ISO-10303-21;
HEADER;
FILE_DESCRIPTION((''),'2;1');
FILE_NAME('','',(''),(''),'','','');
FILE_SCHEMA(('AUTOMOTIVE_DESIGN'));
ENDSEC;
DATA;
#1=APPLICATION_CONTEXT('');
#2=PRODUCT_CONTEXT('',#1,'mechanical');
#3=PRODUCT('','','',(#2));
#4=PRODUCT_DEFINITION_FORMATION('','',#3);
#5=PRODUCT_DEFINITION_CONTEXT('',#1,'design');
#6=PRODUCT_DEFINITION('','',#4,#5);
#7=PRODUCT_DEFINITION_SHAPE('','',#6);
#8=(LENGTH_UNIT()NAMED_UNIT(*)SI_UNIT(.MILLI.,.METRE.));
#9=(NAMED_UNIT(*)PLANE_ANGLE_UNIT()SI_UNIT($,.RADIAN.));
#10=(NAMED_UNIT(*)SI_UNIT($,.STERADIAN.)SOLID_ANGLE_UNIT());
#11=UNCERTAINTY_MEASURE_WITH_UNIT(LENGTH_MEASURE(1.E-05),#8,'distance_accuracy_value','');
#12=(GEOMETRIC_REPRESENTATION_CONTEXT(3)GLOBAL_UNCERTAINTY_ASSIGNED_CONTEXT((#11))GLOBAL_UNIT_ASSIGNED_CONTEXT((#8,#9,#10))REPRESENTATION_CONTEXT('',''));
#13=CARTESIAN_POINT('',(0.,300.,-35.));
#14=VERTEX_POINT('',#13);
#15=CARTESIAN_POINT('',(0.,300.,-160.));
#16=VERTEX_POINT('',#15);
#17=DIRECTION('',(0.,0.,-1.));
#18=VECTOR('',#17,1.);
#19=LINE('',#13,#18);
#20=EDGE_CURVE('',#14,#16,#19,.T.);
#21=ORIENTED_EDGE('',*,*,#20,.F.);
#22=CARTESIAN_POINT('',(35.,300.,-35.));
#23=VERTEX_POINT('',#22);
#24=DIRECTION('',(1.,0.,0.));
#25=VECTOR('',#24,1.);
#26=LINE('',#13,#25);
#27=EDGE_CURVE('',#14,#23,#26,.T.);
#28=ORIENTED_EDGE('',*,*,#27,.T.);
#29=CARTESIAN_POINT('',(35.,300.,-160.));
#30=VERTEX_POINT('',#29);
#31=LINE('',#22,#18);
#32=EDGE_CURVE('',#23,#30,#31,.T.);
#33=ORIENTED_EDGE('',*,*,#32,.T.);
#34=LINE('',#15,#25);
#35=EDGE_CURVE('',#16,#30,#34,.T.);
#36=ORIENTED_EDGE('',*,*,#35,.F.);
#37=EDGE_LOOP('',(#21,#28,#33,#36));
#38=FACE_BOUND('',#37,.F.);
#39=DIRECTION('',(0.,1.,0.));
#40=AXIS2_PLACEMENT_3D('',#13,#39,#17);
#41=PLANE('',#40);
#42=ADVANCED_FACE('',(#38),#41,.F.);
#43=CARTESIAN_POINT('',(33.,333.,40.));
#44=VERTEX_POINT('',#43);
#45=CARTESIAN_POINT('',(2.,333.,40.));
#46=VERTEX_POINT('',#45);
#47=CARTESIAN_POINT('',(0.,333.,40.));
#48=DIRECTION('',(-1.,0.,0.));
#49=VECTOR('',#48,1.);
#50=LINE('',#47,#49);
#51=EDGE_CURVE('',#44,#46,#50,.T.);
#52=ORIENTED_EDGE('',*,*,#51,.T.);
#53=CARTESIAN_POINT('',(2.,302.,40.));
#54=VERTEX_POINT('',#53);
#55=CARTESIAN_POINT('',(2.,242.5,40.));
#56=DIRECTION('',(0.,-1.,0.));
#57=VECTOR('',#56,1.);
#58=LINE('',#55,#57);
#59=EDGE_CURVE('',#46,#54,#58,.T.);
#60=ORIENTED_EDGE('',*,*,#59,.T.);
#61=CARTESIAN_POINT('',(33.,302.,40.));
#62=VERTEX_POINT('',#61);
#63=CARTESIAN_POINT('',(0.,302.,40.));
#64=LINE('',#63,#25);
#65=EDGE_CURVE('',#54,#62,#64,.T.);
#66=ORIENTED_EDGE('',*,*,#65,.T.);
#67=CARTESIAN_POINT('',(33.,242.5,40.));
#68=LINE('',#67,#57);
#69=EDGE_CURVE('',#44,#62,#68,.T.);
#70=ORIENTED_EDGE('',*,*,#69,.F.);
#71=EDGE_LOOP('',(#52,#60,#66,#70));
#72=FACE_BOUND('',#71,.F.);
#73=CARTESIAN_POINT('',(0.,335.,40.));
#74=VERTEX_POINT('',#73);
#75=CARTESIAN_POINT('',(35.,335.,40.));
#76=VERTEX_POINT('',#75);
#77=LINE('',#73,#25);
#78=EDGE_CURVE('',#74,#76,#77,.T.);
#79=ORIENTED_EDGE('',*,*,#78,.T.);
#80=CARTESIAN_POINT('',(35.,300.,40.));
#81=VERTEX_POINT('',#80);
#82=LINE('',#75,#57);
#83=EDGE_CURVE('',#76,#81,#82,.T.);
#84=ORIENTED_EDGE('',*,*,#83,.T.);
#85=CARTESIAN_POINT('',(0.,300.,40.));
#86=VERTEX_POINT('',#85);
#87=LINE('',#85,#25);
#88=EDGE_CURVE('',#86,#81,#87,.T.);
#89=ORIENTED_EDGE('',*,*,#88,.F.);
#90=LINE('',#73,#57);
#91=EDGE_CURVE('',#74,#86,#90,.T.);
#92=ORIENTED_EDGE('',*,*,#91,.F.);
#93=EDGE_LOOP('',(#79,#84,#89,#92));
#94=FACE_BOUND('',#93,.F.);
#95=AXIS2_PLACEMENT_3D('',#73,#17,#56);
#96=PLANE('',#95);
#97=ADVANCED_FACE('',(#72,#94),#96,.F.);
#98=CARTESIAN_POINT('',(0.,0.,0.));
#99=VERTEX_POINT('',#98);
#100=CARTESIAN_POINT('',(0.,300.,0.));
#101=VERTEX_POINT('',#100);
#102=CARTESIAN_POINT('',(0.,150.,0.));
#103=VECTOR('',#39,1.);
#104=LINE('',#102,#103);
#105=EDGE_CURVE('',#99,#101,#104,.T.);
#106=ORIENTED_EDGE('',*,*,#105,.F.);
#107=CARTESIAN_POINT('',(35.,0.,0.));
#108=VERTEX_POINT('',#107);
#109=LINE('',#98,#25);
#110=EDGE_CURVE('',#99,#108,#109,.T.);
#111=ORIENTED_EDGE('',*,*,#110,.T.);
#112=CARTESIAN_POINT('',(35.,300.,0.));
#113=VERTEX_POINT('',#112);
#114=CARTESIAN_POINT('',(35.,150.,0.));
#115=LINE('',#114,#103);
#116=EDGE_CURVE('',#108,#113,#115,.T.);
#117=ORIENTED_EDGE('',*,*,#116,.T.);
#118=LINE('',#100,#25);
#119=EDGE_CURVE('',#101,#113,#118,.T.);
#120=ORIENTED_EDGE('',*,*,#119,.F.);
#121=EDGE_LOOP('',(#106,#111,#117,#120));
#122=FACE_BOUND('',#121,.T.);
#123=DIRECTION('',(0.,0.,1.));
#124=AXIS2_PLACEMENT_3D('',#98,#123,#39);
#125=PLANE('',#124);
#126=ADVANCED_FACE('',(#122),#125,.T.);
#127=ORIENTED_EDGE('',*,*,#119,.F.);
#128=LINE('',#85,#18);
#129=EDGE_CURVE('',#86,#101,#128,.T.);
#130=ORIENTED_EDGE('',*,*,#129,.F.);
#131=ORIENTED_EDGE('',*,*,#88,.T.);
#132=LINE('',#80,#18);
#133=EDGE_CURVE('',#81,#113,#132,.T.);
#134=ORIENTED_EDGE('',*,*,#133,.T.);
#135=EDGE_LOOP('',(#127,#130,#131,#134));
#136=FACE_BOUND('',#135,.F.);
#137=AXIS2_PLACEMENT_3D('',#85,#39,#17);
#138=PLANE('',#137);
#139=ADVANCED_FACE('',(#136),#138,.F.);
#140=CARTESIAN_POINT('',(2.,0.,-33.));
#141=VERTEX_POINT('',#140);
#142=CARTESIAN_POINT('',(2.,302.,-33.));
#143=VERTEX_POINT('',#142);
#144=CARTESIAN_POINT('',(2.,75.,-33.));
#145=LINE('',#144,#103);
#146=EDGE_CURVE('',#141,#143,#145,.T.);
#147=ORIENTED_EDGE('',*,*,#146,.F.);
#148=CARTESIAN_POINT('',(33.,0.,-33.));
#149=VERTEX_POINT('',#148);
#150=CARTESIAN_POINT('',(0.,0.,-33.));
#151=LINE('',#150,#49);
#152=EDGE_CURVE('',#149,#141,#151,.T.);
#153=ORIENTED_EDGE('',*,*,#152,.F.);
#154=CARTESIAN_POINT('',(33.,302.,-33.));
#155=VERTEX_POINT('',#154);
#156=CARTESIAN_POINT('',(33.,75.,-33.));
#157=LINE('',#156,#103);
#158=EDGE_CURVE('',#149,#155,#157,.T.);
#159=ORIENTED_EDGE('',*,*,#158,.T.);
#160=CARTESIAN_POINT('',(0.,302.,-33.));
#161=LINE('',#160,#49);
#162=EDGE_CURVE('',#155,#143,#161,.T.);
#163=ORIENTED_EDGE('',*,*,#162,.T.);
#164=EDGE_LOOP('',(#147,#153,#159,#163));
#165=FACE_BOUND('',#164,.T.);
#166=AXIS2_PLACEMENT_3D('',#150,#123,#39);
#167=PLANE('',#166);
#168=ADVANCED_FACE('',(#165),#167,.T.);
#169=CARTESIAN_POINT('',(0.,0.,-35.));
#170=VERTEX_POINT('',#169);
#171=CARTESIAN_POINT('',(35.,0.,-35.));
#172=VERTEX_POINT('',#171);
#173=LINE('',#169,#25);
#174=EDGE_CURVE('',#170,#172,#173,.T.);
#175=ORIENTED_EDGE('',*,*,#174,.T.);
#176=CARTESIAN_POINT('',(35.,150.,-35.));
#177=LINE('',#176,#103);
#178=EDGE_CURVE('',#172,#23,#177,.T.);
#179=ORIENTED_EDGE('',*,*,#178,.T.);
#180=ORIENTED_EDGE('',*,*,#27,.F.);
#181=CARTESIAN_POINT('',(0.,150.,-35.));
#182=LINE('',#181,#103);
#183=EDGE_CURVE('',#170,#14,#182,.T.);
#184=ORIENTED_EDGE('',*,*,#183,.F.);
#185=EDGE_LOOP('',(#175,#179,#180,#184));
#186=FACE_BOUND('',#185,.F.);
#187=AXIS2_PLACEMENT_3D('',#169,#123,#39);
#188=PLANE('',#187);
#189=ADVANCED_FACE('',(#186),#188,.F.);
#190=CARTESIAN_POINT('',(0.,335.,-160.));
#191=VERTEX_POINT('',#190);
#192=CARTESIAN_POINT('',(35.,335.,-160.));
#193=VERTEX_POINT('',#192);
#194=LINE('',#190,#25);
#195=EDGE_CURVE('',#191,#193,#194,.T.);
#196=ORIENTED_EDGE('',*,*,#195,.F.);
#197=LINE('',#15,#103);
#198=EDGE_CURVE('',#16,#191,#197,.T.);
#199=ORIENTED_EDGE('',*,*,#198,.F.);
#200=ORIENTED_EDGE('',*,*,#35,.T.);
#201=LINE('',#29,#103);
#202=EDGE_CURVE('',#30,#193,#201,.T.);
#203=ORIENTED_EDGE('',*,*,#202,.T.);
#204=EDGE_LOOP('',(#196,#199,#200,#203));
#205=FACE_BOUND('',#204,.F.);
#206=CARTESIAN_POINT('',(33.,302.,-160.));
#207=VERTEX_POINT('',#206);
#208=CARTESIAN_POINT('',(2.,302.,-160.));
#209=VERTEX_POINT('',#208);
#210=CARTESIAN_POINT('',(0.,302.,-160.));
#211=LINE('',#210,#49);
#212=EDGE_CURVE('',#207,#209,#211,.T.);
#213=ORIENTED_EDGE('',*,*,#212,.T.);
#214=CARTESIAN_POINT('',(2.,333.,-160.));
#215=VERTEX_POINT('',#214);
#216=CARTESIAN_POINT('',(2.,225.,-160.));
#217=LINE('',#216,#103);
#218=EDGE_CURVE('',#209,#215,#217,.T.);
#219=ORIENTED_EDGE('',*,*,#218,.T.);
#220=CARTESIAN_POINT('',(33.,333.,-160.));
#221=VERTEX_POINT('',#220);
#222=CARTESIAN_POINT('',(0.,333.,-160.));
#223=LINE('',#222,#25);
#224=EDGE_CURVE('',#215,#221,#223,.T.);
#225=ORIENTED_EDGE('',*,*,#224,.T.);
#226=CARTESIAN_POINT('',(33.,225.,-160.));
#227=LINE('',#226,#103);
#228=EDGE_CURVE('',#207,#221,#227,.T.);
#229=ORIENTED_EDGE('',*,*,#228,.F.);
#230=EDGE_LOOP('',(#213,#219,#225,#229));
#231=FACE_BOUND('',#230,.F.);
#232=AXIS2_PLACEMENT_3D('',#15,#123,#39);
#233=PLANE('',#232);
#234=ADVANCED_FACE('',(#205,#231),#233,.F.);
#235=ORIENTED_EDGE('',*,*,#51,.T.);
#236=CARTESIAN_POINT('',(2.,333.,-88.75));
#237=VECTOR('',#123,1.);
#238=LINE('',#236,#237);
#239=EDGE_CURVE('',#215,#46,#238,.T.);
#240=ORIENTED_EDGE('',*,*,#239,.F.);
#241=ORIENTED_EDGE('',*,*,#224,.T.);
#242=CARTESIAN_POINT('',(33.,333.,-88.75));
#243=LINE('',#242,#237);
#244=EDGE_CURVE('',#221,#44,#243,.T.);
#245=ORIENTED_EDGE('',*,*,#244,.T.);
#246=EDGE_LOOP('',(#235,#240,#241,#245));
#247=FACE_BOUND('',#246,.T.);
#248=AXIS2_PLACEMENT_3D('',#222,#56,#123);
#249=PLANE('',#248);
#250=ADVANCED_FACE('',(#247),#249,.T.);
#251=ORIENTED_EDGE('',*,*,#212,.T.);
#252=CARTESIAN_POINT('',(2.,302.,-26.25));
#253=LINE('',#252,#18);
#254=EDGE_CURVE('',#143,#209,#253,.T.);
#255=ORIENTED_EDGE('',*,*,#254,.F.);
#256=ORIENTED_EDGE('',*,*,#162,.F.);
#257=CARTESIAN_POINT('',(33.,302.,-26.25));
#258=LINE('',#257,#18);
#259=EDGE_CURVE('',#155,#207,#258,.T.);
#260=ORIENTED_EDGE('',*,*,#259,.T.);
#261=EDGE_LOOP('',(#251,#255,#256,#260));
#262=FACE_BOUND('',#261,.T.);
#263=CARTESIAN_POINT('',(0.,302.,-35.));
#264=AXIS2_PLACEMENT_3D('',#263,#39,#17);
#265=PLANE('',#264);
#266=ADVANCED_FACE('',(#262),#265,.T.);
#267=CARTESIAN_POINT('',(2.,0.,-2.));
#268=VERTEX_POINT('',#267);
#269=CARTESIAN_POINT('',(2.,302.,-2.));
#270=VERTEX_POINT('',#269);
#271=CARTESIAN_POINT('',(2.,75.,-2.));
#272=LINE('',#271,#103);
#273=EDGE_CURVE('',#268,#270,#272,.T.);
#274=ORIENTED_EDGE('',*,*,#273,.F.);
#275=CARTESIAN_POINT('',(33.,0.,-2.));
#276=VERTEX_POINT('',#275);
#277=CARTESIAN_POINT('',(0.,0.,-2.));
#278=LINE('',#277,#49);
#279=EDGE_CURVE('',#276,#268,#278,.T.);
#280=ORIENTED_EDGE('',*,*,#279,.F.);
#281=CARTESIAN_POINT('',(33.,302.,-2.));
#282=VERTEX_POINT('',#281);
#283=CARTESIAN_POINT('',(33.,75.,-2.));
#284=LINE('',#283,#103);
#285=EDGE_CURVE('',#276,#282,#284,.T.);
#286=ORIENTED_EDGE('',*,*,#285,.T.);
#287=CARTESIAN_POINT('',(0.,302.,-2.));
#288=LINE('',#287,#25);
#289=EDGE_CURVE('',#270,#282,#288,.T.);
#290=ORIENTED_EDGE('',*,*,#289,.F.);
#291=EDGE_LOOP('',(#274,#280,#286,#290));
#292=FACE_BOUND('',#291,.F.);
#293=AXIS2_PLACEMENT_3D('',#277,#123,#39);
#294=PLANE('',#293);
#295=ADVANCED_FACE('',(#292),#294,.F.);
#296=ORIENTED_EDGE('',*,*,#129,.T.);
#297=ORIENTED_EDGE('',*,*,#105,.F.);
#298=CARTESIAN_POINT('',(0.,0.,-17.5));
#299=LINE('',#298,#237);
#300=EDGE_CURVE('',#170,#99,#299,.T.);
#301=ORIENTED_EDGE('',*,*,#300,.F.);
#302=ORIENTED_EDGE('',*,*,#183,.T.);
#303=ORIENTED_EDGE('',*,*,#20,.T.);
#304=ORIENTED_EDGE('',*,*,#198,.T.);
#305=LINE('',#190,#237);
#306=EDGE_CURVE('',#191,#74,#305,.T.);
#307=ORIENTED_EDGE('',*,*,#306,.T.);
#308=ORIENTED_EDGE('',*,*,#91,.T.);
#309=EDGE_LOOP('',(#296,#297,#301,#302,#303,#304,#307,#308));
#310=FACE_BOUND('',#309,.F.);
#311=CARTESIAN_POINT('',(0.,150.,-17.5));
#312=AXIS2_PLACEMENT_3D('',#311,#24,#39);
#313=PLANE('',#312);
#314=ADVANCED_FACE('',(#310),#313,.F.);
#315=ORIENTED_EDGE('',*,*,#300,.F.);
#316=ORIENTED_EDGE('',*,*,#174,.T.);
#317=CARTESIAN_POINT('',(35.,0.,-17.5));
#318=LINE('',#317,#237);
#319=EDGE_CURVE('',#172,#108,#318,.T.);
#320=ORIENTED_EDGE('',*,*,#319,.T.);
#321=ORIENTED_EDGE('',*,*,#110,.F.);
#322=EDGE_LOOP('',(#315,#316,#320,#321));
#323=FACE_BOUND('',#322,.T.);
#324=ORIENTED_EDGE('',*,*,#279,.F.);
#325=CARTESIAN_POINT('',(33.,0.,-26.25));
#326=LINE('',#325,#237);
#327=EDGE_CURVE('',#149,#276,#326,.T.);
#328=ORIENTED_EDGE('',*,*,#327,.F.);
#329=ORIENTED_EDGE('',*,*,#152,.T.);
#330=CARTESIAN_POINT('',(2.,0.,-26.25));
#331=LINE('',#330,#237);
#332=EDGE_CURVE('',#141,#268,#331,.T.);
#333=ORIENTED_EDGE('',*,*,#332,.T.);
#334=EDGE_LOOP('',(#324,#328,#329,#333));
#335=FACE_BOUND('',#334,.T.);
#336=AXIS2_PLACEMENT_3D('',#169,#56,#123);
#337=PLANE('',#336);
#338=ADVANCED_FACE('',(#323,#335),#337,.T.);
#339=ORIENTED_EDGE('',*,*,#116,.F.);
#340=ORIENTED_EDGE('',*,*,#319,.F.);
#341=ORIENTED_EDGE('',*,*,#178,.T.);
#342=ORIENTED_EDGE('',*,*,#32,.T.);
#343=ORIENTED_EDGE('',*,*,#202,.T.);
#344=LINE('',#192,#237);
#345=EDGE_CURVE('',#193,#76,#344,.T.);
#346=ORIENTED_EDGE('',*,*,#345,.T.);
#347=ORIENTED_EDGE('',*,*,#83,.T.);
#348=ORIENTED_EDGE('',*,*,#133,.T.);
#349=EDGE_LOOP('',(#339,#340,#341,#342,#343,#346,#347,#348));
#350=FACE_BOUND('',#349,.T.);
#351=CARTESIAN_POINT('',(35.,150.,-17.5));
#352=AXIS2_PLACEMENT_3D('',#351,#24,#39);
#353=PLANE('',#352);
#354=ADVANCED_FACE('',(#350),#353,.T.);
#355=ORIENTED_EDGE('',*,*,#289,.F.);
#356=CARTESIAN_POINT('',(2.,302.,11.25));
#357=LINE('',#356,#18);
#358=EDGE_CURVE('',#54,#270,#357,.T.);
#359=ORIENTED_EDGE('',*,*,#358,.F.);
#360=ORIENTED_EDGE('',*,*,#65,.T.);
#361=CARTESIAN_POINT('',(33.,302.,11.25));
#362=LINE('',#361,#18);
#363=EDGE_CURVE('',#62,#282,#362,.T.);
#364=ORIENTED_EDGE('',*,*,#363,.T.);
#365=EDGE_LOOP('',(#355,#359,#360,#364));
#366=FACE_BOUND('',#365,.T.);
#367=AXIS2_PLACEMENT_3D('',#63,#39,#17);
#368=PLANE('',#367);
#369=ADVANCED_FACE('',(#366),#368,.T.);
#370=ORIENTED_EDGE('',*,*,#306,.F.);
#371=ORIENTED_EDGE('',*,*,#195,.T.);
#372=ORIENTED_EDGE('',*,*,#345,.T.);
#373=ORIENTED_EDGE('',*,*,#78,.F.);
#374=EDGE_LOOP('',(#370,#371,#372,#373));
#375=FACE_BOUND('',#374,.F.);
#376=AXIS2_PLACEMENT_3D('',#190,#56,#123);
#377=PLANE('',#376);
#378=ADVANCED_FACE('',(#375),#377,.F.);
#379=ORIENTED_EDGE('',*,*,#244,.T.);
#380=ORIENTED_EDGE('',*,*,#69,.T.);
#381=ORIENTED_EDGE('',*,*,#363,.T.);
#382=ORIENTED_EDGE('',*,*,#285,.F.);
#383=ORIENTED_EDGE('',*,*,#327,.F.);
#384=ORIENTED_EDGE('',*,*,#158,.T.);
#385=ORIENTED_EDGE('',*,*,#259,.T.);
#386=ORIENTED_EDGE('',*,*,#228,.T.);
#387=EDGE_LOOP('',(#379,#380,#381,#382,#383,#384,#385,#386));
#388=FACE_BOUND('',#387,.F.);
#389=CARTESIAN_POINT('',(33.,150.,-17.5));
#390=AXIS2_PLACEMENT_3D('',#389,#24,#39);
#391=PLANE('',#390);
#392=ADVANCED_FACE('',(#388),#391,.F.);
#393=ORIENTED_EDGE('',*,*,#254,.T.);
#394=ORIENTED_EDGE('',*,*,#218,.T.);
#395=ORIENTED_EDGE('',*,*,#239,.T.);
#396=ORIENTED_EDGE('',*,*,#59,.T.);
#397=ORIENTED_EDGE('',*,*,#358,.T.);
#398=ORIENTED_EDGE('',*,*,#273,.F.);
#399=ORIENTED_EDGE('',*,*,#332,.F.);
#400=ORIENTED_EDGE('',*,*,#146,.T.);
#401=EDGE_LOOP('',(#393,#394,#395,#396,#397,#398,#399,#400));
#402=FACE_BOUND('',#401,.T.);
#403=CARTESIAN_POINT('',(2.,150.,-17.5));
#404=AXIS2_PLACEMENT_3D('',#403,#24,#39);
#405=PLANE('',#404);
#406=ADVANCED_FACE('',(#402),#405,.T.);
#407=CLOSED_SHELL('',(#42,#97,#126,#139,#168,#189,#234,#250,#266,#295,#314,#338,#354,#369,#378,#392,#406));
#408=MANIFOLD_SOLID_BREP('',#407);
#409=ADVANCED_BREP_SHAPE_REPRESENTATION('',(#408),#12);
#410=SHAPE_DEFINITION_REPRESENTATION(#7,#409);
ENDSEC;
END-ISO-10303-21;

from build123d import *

# Parameters (mm, degrees)
F0_W     = 300
F0_H     = 35
F1_DEPTH = 35
F2_T     = -2


with BuildPart() as f1:
    # F0 (on Right) → F1 (new body)
    with BuildSketch(Plane.YZ):
        with Locations((150, -17.5)):
            Rectangle(F0_W, F0_H)
        Polygon((300, 40), (300, 0), (300, -35), (300, -160), (335, -160), (335, 40), align=None)
    extrude(amount=F1_DEPTH)

    # F2
    f2_openings = [f1.faces().sort_by_distance(p)[0] for p in [
        (17.5, 317.5, 40),
        (17.5, 0, -17.5),
        (17.5, 317.5, -160),
    ]]
    offset(amount=F2_T, openings=f2_openings, kind=Kind.INTERSECTION)


solid = f1.part
